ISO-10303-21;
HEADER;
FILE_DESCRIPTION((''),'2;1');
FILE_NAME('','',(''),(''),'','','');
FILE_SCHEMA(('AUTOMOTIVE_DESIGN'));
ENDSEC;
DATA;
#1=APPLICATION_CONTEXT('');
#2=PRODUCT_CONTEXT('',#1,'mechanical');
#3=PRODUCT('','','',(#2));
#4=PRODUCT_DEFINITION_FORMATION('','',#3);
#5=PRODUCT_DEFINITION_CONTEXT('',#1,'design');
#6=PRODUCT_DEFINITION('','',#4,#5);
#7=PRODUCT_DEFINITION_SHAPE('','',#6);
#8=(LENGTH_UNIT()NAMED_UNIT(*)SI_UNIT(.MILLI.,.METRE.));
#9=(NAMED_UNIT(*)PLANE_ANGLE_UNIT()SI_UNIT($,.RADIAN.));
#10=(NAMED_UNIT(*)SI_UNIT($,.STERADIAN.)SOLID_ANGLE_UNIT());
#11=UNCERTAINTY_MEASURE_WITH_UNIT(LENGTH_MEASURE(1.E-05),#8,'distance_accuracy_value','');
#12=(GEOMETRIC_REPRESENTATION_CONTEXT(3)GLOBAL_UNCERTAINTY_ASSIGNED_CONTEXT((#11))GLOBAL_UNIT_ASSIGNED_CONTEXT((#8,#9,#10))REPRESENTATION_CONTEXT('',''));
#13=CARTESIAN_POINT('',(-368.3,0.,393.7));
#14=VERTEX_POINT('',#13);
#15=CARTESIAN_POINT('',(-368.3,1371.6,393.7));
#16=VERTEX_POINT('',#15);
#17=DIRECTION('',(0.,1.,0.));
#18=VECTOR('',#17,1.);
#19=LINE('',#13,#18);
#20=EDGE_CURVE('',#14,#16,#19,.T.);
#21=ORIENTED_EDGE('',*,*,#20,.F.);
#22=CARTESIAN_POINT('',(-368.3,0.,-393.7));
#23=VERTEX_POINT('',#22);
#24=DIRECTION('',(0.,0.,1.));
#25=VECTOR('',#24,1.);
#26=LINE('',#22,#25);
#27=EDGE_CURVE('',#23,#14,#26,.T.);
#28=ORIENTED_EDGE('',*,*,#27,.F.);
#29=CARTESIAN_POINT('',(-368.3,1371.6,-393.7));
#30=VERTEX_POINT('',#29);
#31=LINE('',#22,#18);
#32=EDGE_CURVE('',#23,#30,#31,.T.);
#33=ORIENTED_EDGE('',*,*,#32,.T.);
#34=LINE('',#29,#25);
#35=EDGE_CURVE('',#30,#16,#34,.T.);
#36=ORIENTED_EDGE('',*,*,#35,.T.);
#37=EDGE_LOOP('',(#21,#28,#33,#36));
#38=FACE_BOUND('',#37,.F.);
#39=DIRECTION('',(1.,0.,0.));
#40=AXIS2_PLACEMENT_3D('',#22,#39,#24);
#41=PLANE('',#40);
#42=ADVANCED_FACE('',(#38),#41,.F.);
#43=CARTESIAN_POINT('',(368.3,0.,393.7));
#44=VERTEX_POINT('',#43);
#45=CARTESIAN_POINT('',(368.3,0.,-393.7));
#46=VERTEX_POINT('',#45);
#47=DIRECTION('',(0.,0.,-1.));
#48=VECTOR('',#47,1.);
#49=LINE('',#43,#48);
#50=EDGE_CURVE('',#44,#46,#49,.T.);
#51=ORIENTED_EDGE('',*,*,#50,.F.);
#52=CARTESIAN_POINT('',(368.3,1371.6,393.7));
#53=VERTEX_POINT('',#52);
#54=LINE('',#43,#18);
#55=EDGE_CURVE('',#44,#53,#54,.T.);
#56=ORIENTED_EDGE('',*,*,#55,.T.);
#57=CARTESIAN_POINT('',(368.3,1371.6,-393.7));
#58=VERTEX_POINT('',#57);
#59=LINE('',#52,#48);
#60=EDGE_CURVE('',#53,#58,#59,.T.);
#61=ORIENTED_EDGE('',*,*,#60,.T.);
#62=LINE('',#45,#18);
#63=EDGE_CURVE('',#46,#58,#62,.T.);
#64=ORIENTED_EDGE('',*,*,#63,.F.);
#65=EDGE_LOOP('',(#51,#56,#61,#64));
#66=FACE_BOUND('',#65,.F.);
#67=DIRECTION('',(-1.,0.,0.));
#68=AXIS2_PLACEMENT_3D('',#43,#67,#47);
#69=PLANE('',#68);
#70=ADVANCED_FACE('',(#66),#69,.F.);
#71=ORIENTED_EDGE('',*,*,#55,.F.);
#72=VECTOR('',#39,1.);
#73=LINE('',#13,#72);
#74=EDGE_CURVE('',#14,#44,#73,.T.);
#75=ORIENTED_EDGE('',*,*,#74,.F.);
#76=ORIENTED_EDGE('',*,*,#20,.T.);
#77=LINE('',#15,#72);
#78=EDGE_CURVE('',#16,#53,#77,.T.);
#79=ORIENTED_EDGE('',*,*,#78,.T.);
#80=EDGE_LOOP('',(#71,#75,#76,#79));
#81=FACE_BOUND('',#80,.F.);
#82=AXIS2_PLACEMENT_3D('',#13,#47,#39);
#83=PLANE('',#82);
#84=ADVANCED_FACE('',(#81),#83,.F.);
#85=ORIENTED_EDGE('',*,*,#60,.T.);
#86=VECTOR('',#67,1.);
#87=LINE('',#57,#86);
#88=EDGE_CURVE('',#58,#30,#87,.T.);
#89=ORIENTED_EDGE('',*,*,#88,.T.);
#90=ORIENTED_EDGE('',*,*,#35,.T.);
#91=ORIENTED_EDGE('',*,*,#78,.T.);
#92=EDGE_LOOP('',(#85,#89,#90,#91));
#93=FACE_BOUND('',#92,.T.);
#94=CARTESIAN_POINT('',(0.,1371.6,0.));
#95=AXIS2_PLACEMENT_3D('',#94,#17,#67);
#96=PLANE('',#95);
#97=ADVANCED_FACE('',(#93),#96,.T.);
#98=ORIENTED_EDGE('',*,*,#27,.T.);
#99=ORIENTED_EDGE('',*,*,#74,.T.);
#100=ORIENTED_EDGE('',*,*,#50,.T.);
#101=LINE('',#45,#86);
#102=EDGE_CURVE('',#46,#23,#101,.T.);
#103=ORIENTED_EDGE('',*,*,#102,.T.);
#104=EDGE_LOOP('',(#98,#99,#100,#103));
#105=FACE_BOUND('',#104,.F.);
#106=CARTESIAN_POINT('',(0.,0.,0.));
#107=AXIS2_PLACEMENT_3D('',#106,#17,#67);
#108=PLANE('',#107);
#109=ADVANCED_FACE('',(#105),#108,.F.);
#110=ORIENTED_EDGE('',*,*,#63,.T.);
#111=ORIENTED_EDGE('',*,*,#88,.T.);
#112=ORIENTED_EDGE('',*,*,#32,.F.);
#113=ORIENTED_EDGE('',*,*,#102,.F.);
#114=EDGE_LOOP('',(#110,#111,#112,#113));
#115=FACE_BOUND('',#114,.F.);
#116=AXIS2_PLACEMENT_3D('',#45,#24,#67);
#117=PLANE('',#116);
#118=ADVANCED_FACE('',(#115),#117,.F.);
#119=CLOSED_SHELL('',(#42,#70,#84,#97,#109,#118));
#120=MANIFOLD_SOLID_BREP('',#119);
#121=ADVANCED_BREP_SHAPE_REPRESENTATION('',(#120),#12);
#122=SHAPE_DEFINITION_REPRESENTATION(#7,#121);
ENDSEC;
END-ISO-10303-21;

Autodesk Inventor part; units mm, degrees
ref_plane "YZ Plane" through (0, 0, 0) normal (1, 0, 0) x (0, 1, 0)
ref_plane "XZ Plane" through (0, 0, 0) normal (0, 1, 0) x (-1, 0, 0)
ref_plane "XY Plane" through (0, 0, 0) normal (0, 0, 1) x (1, 0, 0)
sketch "Sketch2" plane through (0, 0, 0) normal (0, 1, 0) x (-1, 0, 0)
  line L0 (368.3, 393.7) -> (-368.3, 393.7)
  line L1 (-368.3, 393.7) -> (-368.3, -393.7)
  line L2 (-368.3, -393.7) -> (368.3, -393.7)
  line L3 (368.3, -393.7) -> (368.3, 393.7)
  line L4 (368.3, 393.7) -> (-368.3, -393.7) construction
  line L5 (-368.3, 393.7) -> (368.3, -393.7) construction
  point P0 (0, 0)
  dimension "d4" = 736.6
  dimension "d5" = 787.4
extrude "Extrusion1" add sketch "Sketch2" along normal blind 1371.6
equation "\"d4\" = width"
equation "\"d5\" = length"
equation "\"d6\" = height"
equation "\"width\" = -length + 0.5 * perimeter"
equation "\"length\" = 787.4"
equation "\"height\" = 1371.6"
equation "\"perimeter\" = 3048"
properties part number "maxVolume" material "Polycarbonate, Clear"
